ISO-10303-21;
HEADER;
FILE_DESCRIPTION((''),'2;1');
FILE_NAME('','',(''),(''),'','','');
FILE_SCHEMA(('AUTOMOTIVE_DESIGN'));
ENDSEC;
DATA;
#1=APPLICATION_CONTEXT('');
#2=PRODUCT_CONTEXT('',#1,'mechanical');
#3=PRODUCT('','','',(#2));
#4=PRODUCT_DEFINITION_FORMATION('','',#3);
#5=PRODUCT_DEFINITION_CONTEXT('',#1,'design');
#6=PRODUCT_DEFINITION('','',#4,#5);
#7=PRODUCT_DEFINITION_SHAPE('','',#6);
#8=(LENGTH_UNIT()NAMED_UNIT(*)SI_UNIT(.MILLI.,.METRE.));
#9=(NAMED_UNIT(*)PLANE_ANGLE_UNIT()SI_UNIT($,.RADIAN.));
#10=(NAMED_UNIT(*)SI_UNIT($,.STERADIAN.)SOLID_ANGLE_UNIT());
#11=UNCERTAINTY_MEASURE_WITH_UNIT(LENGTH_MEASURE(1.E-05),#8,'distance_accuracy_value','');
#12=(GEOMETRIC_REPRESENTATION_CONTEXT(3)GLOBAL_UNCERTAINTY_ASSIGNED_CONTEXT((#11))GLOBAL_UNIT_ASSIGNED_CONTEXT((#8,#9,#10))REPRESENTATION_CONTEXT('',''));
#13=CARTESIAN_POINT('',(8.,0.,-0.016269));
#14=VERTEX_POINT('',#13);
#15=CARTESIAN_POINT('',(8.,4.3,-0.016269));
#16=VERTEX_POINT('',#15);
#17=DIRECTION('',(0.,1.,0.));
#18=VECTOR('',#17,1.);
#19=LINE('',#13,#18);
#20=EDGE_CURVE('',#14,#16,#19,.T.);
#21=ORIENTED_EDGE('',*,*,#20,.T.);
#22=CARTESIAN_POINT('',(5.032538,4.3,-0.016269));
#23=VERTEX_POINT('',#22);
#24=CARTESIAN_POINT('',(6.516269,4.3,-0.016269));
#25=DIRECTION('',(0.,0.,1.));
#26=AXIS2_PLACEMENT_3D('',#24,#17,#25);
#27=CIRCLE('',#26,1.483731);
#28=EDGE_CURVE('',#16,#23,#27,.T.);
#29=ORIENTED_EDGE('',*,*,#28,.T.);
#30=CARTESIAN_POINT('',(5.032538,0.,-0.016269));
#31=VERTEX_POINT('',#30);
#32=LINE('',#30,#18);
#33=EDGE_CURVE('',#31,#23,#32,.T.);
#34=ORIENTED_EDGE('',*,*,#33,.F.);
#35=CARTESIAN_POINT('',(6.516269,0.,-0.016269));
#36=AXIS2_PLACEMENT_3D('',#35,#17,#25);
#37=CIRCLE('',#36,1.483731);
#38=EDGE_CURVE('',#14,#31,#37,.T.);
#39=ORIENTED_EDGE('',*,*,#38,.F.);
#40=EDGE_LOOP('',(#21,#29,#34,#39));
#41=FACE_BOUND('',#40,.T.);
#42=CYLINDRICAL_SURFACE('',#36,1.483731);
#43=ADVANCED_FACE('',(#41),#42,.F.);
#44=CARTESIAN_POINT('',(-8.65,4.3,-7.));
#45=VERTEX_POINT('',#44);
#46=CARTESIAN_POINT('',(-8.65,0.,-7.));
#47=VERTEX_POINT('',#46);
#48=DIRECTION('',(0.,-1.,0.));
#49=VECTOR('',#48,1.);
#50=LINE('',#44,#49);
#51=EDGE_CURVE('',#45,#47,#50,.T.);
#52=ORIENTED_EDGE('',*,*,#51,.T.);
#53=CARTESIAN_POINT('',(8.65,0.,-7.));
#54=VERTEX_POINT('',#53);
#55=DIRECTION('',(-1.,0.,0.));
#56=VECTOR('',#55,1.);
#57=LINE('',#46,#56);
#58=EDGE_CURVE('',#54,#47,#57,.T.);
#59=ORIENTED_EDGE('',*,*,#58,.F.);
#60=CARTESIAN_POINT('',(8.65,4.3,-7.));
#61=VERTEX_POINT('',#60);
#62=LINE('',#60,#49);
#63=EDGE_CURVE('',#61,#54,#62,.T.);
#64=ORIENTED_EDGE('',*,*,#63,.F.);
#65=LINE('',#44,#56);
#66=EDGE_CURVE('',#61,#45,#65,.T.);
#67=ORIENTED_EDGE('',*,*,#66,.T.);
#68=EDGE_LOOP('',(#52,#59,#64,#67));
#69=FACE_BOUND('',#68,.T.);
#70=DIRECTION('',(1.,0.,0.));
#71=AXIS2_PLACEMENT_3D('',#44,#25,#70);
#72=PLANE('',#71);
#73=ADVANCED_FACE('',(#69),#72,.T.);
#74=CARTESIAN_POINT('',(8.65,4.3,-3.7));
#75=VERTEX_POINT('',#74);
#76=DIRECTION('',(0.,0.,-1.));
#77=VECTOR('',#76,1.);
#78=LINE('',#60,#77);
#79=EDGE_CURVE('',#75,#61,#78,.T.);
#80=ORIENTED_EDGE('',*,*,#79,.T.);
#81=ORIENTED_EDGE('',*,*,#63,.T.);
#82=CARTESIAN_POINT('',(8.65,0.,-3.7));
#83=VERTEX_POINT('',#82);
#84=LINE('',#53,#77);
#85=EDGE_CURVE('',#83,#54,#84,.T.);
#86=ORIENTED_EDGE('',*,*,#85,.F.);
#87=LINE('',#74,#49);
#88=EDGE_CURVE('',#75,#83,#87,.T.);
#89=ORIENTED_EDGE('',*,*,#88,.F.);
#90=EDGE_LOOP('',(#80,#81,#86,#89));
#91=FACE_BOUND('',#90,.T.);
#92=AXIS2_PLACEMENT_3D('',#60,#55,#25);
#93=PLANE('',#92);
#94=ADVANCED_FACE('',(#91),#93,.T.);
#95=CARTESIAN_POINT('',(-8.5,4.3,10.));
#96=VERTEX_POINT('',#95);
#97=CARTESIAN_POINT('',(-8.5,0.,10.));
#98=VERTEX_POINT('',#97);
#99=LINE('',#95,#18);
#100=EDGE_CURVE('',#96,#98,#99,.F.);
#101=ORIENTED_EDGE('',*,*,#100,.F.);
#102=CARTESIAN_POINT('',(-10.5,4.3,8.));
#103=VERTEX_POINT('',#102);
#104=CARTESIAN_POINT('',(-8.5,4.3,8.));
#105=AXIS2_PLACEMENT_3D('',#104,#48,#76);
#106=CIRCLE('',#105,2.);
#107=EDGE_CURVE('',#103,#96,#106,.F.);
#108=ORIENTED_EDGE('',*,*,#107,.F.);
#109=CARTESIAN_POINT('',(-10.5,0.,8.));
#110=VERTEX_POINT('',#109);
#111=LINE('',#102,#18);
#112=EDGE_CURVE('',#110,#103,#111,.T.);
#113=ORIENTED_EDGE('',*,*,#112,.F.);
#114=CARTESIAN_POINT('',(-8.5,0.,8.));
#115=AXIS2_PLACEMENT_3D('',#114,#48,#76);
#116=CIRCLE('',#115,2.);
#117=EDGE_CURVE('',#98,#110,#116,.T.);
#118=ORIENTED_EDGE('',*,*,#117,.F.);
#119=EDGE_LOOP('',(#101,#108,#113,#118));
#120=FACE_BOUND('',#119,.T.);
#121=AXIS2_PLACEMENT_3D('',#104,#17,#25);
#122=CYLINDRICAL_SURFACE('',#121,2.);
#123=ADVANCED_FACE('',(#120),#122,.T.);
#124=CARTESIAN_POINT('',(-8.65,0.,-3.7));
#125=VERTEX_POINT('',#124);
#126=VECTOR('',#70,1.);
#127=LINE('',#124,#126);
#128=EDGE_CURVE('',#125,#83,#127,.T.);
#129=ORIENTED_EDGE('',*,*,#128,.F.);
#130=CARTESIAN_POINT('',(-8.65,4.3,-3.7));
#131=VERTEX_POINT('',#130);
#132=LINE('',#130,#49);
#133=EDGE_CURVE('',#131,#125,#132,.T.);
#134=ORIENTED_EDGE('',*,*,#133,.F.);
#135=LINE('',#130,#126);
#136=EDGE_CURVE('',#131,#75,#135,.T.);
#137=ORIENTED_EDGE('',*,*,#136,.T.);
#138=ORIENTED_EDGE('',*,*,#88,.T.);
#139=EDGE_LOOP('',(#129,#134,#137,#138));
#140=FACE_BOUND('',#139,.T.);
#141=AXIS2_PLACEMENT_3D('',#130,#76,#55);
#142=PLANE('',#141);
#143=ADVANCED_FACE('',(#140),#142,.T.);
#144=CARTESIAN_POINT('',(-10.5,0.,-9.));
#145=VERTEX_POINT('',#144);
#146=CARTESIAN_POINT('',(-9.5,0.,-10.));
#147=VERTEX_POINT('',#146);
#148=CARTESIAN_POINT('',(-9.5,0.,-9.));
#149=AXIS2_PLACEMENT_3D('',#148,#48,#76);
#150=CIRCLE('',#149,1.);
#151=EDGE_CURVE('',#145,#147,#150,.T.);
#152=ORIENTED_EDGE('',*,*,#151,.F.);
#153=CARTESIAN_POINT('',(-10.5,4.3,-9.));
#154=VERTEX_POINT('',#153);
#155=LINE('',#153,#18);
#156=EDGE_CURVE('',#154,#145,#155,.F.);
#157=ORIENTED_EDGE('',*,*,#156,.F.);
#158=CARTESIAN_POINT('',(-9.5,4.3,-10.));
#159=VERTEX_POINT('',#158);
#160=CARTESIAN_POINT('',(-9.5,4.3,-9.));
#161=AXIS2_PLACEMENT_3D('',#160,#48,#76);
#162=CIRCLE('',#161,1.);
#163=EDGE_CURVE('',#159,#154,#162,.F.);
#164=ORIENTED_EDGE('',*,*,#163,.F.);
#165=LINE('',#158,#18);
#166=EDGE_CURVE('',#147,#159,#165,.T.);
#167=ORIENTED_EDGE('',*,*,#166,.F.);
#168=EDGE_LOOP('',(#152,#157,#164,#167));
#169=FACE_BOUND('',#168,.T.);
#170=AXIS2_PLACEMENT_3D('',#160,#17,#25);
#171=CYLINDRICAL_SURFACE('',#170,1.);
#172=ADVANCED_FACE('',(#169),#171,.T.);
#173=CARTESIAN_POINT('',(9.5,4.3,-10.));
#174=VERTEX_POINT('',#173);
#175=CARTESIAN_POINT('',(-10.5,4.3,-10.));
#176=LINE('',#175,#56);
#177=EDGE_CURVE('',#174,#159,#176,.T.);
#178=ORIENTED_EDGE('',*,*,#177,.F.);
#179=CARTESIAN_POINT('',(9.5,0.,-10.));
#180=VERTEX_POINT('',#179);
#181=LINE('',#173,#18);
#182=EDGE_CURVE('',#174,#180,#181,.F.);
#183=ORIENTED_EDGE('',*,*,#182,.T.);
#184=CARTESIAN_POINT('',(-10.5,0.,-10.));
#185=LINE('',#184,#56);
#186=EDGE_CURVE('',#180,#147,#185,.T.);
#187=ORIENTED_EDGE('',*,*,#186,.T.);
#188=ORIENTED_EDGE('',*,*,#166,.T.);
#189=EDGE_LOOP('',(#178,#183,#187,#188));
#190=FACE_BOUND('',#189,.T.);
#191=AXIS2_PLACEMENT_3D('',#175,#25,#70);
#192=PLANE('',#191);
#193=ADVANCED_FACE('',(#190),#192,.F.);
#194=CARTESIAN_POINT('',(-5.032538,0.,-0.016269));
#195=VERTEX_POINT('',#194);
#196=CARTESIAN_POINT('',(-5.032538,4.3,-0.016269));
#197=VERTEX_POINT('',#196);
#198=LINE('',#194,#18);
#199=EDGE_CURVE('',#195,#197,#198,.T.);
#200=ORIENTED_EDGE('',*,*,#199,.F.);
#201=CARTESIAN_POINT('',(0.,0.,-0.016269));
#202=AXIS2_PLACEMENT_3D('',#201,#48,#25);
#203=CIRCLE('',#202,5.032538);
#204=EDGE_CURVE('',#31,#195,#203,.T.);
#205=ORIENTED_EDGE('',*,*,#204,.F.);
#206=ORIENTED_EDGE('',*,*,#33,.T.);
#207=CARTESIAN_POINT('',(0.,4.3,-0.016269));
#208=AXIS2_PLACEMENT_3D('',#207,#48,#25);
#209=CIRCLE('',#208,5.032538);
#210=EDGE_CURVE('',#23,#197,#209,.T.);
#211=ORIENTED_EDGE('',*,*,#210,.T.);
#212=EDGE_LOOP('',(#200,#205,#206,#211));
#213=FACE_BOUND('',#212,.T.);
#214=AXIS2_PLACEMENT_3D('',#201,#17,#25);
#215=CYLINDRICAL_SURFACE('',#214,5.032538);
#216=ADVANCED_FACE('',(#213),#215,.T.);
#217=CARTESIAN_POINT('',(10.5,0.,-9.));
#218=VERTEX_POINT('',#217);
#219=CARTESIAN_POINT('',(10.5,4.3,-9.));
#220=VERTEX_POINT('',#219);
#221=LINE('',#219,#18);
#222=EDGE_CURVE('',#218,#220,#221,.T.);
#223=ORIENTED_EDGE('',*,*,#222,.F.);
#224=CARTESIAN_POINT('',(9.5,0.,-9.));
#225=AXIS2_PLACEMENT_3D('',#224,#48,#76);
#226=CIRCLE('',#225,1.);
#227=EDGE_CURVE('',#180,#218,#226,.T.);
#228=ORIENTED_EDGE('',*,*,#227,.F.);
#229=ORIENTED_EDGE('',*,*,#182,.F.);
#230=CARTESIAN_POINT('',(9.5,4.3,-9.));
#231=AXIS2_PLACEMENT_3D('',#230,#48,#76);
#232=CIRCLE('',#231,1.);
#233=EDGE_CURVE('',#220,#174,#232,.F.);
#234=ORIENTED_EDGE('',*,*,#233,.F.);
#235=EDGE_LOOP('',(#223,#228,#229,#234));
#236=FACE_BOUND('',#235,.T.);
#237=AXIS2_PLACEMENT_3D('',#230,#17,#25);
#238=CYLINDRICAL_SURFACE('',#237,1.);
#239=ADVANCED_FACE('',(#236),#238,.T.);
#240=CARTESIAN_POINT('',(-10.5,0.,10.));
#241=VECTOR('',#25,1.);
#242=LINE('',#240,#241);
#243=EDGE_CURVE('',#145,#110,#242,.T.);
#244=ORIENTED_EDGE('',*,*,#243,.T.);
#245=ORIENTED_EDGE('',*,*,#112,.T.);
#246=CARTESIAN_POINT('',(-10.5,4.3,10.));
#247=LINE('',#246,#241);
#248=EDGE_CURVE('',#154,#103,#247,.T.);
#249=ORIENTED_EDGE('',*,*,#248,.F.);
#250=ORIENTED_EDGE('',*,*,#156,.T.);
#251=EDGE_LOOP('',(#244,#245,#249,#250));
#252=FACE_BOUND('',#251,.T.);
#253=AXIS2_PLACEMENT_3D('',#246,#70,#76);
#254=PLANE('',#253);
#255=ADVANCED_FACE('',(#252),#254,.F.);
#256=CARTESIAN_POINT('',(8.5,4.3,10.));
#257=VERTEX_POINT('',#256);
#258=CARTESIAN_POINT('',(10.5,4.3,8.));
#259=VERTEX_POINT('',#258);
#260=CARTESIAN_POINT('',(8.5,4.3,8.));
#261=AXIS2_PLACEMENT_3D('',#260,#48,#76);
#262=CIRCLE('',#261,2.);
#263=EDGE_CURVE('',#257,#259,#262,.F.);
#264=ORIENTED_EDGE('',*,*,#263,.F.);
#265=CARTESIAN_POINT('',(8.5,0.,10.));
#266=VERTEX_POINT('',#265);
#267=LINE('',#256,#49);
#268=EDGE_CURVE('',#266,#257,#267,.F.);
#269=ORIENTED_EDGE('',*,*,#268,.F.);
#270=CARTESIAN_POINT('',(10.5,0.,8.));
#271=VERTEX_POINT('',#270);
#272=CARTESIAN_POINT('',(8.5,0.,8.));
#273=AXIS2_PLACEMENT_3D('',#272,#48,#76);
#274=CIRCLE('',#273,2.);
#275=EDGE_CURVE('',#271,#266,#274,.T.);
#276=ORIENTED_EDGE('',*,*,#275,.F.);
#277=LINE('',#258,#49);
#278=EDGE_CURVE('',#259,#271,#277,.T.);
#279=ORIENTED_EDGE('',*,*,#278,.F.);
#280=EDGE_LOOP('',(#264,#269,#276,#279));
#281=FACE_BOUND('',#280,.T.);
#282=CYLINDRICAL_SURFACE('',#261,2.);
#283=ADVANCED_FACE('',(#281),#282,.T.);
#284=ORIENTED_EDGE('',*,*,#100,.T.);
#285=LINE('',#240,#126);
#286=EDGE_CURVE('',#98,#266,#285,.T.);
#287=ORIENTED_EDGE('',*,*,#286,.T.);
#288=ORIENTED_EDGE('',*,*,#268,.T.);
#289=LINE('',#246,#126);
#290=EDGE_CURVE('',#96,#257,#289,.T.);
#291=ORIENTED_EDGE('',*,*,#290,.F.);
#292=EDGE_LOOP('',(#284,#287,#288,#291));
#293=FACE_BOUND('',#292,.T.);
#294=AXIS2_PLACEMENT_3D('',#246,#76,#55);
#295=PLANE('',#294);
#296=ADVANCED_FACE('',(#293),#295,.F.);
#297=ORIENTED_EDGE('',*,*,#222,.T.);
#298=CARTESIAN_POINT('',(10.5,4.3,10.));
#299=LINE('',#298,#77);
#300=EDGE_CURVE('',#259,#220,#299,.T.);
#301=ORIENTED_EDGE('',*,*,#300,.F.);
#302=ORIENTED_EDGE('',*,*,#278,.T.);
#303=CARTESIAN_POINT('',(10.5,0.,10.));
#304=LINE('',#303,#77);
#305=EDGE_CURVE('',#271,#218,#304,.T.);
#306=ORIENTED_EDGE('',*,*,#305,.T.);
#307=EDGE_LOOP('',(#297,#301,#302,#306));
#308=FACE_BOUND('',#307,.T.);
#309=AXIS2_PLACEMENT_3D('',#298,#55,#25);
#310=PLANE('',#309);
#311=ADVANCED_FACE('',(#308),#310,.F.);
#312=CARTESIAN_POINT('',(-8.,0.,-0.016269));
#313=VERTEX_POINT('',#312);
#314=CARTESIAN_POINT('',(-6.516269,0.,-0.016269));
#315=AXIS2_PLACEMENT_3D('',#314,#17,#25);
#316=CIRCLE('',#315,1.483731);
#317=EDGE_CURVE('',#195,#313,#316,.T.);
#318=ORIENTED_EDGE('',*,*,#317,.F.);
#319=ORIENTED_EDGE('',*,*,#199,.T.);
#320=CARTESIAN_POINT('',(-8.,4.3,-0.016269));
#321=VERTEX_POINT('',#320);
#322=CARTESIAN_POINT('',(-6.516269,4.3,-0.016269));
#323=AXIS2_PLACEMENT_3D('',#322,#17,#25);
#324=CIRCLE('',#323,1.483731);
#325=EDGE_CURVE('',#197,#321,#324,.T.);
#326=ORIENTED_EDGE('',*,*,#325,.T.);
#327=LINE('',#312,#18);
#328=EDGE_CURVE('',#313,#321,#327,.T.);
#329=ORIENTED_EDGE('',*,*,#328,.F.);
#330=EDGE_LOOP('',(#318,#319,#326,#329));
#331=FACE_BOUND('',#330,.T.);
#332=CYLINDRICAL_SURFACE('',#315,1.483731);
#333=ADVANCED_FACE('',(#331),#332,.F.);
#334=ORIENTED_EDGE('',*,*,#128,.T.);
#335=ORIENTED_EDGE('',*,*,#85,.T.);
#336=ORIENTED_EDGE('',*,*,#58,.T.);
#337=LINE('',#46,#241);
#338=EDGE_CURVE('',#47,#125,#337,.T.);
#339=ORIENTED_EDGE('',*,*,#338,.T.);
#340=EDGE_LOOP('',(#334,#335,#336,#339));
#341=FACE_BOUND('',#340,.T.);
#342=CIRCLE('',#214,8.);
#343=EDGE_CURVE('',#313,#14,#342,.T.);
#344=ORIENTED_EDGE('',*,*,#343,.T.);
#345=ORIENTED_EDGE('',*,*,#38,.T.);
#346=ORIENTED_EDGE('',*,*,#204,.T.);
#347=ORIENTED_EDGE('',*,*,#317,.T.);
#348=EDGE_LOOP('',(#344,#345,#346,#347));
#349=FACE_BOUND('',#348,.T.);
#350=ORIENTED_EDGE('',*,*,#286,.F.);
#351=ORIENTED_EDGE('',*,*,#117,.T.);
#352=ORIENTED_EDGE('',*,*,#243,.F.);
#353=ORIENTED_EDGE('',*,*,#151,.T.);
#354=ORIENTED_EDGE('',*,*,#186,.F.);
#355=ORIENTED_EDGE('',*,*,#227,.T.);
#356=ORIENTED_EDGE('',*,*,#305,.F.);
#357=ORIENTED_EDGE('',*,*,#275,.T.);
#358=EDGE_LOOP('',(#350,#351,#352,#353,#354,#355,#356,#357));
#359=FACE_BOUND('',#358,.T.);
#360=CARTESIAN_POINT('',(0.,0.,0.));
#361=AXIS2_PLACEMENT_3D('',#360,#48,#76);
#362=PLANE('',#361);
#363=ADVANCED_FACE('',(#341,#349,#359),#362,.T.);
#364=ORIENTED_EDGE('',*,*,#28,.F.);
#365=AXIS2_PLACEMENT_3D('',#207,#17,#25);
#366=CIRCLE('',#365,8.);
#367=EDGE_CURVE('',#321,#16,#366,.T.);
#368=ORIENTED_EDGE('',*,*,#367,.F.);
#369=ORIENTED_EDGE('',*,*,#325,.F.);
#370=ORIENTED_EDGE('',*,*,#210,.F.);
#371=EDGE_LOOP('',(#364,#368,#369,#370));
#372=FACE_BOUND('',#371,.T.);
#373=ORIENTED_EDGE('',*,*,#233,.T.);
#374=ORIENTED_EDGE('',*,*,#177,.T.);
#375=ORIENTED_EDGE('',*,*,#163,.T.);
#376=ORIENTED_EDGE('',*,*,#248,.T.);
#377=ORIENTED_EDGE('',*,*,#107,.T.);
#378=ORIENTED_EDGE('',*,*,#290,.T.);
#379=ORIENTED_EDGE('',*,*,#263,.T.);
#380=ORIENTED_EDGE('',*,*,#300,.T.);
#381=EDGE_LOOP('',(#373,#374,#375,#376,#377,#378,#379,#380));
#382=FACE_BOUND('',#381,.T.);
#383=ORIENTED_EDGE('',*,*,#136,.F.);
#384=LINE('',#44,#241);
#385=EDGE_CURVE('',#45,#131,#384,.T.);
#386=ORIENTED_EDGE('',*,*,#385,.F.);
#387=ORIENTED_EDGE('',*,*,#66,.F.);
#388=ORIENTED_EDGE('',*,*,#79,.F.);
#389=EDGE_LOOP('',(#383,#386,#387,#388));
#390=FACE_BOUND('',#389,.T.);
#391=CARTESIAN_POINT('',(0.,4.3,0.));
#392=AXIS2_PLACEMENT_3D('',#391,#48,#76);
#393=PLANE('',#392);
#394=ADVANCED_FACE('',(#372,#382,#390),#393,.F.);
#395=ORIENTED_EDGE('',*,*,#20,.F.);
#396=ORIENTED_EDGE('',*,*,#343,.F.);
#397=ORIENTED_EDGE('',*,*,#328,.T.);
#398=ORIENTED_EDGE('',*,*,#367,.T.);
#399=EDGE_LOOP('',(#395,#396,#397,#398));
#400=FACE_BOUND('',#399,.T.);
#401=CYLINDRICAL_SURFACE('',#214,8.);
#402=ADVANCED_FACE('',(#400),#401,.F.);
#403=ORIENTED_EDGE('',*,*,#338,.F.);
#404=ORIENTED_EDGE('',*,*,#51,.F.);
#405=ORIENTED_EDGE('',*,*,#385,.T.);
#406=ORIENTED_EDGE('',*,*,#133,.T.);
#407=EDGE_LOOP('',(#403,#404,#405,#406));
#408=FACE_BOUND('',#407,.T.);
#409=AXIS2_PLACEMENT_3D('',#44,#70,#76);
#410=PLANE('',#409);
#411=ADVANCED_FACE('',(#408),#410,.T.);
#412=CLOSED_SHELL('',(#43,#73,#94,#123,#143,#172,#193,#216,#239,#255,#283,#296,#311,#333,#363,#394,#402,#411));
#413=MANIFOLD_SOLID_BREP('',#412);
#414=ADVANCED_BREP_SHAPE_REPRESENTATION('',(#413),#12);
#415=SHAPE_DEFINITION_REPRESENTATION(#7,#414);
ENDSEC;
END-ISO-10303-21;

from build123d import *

# Parameters (mm, degrees)
ESBO_O2_W                = 21
ESBO_O2_H                = 20
ESBO_O2_W_2              = 17.3
ESBO_O2_H_2              = 3.3
RESSALTO_EXTRUS_O1_DEPTH = 4.3
FILETE1_R                = 1
FILETE2_R                = 1
FILETE3_R                = 2
FILETE4_R                = 2
CORTE_EXTRUS_O3_DEPTH    = 4.3


with BuildPart() as part:
    # Esboço2 → Ressalto-extrusão1 (new body)
    with BuildSketch(Plane(origin=(0, 0, 0), x_dir=(1, 0, 0), z_dir=(0, 1, 0))):
        Rectangle(ESBO_O2_W, ESBO_O2_H)
        with Locations((0, 5.35)):
            Rectangle(ESBO_O2_W_2, ESBO_O2_H_2, mode=Mode.SUBTRACT)
    extrude(amount=RESSALTO_EXTRUS_O1_DEPTH)

    # Filete1
    filete1_edges = [part.edges().sort_by_distance(p)[0] for p in [
        (10.5, 2.15, -10),
    ]]
    fillet(filete1_edges, radius=FILETE1_R)

    # Filete2
    filete2_edges = [part.edges().sort_by_distance(p)[0] for p in [
        (-10.5, 2.15, -10),
    ]]
    fillet(filete2_edges, radius=FILETE2_R)

    # Filete3
    filete3_edges = [part.edges().sort_by_distance(p)[0] for p in [
        (-10.5, 2.15, 10),
    ]]
    fillet(filete3_edges, radius=FILETE3_R)

    # Filete4
    filete4_edges = [part.edges().sort_by_distance(p)[0] for p in [
        (10.5, 2.15, 10),
    ]]
    fillet(filete4_edges, radius=FILETE4_R)

    # Esboço6 → Corte-extrusão3 (cut)
    with BuildSketch(Plane(origin=(0, 4.3, 0), x_dir=(1, 0, 0), z_dir=(0, 1, 0))):
        with BuildLine():
            ThreePointArc((-8, 0.016269222), (0, -7.983730778), (8, 0.016269222))
            ThreePointArc((8, 0.016269222), (6.516269222, 1.5), (5.032538443, 0.016269222))
            ThreePointArc((5.032538443, 0.016269222), (0, -5.016269222), (-5.032538443, 0.016269222))
            ThreePointArc((-5.032538443, 0.016269222), (-6.516269222, 1.5), (-8, 0.016269222))
        make_face()
    extrude(amount=-CORTE_EXTRUS_O3_DEPTH, mode=Mode.SUBTRACT)


solid = part.part
